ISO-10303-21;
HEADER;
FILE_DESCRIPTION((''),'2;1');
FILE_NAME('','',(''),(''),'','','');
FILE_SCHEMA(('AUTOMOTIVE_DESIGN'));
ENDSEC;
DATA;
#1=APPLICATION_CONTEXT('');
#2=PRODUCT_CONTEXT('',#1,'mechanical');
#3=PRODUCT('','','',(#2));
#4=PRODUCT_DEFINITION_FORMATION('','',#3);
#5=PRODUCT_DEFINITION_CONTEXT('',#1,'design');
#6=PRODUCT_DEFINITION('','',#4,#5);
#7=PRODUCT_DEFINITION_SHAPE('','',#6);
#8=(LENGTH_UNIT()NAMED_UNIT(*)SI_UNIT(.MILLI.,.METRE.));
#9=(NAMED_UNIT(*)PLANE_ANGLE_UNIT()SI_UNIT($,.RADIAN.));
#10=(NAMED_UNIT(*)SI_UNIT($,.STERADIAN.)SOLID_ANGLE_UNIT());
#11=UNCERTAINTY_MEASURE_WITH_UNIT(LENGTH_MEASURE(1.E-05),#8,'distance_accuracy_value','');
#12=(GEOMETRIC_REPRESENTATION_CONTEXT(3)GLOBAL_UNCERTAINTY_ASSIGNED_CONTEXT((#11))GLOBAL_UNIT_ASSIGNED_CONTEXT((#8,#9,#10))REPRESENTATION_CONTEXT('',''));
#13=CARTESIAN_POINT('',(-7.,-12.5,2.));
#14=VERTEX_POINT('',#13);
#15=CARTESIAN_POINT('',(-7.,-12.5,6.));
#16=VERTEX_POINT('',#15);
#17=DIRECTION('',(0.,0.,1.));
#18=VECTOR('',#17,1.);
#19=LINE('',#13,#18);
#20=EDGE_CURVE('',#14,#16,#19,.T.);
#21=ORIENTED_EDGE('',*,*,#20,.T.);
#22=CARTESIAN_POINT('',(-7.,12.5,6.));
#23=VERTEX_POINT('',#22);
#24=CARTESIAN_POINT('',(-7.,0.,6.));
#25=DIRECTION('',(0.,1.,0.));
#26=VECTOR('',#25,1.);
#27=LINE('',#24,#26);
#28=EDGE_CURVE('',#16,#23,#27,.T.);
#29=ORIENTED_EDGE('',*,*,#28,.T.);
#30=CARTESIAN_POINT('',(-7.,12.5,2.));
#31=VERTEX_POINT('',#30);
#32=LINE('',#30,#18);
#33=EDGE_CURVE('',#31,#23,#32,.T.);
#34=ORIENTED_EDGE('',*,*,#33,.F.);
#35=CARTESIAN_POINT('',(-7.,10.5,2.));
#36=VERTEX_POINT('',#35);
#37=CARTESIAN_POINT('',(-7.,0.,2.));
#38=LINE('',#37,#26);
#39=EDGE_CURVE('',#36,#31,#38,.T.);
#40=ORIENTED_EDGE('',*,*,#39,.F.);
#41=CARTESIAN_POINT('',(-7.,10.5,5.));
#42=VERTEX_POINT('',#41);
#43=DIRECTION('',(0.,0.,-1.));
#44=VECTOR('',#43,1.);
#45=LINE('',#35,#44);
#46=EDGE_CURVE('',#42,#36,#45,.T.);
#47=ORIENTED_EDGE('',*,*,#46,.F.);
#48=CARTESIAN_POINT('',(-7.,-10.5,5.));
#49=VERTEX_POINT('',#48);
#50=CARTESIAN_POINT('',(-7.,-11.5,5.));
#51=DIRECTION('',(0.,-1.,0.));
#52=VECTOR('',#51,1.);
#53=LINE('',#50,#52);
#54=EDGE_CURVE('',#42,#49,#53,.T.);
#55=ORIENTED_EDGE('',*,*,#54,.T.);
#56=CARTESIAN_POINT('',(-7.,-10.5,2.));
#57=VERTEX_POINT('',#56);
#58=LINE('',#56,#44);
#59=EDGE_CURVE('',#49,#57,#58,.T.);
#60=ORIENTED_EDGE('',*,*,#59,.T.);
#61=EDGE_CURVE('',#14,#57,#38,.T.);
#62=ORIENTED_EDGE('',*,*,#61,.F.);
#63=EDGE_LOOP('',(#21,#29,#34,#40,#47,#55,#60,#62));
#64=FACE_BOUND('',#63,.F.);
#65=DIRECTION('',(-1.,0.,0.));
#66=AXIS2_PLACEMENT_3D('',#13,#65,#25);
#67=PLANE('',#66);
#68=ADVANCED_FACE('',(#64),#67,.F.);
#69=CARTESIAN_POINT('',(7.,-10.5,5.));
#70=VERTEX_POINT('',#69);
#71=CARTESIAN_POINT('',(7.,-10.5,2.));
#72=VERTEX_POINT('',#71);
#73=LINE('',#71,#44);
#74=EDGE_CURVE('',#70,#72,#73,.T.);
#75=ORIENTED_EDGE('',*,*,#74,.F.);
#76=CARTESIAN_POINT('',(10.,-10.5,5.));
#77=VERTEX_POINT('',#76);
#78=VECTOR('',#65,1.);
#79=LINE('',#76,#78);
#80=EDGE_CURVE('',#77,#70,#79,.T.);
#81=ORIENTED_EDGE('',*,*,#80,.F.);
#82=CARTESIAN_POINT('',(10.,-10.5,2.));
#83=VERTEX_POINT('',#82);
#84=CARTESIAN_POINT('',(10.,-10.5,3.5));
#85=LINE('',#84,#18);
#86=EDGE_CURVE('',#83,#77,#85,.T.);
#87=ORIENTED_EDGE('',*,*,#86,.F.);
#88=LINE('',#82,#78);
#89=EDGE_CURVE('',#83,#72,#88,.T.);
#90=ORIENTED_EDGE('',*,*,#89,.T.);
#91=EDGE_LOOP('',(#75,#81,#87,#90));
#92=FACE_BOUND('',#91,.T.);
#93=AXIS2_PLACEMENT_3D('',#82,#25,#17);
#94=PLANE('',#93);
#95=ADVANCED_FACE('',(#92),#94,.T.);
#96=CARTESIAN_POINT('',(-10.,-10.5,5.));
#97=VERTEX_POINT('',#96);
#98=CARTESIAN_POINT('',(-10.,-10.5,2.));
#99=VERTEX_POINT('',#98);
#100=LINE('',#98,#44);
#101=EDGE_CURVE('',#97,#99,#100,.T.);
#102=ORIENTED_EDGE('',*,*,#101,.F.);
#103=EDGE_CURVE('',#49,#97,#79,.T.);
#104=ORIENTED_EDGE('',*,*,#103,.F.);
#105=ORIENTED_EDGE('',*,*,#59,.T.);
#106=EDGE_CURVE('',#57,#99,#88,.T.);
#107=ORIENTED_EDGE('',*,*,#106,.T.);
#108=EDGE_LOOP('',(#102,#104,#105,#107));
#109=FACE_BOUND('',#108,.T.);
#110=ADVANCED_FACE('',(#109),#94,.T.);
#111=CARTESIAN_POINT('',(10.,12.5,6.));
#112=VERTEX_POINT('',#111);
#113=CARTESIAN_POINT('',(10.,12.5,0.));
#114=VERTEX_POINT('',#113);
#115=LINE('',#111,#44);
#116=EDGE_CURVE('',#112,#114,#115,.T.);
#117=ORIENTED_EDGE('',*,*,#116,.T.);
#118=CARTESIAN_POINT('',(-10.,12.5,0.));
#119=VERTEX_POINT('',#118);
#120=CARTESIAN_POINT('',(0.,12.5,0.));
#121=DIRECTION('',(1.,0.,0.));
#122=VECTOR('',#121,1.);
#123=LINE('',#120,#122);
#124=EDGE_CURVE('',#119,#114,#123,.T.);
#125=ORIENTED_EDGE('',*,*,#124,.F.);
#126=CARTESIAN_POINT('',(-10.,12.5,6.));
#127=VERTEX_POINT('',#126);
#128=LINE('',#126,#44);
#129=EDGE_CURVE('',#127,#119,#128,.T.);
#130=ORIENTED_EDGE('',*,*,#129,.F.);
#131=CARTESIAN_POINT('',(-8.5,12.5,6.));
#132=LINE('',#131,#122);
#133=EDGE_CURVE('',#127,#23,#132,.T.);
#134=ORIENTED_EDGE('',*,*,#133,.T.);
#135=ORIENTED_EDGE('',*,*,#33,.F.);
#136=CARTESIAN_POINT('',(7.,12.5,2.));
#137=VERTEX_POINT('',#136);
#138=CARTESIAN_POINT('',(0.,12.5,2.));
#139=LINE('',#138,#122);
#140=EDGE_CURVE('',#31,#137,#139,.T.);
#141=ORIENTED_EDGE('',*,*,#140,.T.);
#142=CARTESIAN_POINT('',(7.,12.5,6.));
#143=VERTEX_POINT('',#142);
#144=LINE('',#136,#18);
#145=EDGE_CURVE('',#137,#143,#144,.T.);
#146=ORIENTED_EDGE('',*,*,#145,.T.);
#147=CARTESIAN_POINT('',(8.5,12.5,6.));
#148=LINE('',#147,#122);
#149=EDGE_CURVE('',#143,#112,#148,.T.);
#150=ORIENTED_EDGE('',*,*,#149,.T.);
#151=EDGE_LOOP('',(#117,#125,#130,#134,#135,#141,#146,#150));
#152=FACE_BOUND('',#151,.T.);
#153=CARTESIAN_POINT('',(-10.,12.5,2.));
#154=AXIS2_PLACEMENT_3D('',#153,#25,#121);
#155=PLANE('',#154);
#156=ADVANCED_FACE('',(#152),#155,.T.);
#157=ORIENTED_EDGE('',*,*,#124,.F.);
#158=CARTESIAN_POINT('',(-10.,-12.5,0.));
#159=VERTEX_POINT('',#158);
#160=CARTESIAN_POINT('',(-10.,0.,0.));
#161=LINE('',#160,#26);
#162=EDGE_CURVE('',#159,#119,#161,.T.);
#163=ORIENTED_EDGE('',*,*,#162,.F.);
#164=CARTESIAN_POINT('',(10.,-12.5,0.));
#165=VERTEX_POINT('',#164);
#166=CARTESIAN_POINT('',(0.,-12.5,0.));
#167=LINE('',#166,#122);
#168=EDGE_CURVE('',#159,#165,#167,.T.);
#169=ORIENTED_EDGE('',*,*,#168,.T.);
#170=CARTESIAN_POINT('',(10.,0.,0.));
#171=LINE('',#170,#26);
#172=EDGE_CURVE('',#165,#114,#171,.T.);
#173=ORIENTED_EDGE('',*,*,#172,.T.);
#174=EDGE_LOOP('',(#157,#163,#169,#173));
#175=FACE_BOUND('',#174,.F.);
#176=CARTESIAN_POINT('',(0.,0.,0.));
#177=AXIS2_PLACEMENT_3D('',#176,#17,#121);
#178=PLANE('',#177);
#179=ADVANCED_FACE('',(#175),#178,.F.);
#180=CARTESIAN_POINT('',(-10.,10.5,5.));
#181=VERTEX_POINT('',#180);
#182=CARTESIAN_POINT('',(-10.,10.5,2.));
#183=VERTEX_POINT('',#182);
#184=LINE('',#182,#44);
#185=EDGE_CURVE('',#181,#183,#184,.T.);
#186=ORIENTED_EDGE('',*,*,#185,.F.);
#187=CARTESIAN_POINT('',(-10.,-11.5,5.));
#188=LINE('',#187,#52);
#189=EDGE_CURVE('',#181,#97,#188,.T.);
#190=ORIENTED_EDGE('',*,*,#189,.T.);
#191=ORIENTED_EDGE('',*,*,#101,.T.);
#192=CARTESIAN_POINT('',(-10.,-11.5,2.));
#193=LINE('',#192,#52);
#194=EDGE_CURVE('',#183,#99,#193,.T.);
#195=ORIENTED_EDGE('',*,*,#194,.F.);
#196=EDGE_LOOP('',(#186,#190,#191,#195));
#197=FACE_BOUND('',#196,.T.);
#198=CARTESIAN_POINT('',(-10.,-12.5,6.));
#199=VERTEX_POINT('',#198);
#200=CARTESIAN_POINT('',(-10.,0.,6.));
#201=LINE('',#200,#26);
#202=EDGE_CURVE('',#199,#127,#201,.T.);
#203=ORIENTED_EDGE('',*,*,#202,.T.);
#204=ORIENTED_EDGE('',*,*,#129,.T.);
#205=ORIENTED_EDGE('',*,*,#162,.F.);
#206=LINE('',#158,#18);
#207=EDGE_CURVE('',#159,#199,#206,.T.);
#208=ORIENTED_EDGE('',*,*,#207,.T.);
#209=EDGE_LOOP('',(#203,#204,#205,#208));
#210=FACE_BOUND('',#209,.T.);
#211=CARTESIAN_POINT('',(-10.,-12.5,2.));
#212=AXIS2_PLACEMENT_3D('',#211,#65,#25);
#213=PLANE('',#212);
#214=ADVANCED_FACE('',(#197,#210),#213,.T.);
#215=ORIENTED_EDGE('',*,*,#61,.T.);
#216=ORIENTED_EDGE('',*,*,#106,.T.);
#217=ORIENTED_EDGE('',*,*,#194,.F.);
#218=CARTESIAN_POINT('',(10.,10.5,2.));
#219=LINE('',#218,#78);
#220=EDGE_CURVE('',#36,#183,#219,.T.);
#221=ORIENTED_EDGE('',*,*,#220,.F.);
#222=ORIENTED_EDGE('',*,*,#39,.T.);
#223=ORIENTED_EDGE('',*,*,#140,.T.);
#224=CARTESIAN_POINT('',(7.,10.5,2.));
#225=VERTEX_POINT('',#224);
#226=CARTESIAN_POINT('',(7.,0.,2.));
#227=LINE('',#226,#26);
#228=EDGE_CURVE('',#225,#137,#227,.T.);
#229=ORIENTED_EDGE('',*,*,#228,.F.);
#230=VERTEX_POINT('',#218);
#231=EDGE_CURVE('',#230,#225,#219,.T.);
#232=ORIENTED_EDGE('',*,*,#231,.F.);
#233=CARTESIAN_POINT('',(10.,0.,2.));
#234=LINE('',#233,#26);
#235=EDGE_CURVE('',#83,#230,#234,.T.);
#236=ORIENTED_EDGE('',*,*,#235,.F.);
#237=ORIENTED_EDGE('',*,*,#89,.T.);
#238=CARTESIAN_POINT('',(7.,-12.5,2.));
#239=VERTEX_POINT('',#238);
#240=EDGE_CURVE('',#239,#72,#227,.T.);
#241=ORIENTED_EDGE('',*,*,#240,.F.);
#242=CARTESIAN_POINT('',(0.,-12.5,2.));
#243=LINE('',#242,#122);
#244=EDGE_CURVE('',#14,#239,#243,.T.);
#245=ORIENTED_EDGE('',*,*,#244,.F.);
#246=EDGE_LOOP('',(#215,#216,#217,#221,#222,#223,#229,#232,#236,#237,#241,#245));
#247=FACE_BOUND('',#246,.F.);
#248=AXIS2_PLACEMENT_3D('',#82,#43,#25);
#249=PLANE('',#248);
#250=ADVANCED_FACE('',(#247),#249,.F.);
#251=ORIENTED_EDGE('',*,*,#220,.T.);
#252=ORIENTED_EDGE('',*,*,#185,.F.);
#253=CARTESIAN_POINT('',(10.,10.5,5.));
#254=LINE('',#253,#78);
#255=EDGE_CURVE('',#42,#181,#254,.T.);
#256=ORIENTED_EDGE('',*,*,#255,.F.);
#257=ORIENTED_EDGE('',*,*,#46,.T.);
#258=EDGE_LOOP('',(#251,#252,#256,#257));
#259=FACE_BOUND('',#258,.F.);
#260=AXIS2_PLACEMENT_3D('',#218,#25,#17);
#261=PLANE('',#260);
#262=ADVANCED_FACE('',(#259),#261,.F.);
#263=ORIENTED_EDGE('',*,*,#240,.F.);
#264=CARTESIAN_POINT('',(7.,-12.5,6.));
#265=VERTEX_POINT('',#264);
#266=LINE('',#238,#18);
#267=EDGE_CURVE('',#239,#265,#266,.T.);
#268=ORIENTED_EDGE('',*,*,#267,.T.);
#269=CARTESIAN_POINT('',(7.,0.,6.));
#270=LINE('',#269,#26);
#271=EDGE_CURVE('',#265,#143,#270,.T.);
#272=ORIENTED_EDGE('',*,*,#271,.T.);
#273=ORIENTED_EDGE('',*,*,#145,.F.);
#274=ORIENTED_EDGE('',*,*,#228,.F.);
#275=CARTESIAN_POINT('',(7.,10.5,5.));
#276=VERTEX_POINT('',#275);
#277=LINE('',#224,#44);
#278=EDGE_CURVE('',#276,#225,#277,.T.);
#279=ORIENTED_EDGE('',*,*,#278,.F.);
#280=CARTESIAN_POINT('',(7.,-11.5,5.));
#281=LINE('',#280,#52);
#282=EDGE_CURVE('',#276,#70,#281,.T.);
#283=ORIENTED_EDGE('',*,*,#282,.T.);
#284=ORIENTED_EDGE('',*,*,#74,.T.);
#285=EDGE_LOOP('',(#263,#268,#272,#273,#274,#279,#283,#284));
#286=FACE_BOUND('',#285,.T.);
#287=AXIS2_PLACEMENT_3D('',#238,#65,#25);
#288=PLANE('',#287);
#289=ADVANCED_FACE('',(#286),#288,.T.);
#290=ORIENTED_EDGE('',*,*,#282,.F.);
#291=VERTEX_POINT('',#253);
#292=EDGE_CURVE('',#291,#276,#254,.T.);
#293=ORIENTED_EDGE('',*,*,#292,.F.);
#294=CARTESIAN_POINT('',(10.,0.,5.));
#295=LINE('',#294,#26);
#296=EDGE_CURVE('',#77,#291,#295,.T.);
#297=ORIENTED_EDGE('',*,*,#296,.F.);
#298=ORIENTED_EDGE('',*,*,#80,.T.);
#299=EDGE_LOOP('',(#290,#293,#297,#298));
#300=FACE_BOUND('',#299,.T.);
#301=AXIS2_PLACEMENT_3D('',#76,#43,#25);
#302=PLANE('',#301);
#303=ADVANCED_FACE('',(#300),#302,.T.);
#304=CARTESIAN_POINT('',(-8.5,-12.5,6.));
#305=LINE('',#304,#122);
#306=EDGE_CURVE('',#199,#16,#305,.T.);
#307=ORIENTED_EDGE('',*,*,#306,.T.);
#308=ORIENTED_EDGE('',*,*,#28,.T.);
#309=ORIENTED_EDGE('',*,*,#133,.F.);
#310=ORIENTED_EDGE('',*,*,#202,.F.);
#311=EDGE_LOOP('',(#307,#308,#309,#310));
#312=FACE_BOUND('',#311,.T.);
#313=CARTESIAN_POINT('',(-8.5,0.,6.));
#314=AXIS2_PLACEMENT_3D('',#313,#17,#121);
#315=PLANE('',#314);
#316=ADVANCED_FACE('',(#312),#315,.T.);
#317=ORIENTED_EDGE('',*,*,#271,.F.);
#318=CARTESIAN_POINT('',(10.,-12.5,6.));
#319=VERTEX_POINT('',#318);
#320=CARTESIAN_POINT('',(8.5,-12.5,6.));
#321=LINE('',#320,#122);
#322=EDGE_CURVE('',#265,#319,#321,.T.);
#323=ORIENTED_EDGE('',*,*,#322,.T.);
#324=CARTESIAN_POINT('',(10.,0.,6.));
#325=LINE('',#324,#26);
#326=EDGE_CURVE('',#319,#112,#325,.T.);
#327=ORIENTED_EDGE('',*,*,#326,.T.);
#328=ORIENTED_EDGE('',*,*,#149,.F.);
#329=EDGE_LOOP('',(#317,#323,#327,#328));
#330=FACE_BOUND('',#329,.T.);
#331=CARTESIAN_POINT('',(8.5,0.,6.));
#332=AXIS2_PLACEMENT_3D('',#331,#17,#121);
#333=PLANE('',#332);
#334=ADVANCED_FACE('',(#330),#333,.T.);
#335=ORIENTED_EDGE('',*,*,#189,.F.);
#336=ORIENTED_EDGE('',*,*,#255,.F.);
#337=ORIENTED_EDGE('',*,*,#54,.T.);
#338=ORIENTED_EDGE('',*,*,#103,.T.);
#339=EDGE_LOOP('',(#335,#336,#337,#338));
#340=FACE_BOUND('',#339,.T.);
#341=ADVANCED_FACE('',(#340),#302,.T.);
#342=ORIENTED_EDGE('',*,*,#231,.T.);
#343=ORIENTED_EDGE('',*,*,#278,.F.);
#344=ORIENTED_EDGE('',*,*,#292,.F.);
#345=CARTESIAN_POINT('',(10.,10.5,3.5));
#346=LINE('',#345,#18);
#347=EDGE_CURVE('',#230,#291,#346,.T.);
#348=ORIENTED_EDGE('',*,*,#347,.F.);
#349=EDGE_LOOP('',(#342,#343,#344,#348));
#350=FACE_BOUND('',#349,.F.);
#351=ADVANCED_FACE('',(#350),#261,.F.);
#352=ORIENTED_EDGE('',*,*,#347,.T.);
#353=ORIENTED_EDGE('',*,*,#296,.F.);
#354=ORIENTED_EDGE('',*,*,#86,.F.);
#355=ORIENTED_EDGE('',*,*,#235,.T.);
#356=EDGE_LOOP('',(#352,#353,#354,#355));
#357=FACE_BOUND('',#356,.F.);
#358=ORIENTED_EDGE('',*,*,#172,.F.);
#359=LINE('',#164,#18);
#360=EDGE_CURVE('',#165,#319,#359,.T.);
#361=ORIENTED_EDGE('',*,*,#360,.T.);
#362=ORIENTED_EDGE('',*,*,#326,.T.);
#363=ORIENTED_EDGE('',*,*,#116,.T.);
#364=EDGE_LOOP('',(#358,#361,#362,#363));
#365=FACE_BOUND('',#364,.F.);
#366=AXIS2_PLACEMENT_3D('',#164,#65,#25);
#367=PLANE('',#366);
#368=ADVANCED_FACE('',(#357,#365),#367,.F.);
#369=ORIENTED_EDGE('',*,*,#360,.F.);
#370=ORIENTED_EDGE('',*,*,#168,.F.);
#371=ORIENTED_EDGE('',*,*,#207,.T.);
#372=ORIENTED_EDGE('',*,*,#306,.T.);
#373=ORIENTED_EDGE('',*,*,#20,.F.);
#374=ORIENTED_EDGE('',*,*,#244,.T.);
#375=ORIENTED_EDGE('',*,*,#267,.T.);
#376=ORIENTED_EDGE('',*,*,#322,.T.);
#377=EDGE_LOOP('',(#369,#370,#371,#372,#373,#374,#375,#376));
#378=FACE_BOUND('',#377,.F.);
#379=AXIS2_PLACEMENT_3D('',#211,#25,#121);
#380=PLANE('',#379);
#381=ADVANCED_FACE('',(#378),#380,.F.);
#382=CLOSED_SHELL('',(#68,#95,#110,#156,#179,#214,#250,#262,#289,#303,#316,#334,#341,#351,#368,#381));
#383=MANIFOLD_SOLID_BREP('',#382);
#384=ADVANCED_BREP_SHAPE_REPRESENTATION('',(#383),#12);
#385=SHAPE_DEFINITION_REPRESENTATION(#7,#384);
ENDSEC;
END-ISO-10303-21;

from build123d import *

# Parameters (mm, degrees)
F0_W     = 20
F0_H     = 25
F1_DEPTH = 2
F2_W     = 3
F2_H     = 25
F3_DEPTH = 4
F4_W     = 21
F4_H     = 3
F5_DEPTH = 25


with BuildPart() as f1:
    # F0 (on Top) → F1 (new body)
    with BuildSketch(Plane.XY):
        Rectangle(F0_W, F0_H)
    extrude(amount=F1_DEPTH)

    # F2 (on face) → F3 (join)
    with BuildSketch(Plane.XY.offset(2)):
        with Locations((-8.5, 0)):
            Rectangle(F2_W, F2_H)
        with Locations((8.5, 0)):
            Rectangle(F2_W, F2_H)
    extrude(amount=F3_DEPTH)

    # F4 (on face) → F5 (cut)
    with BuildSketch(Plane.YZ.offset(10)):
        with Locations((0, 3.5)):
            Rectangle(F4_W, F4_H)
    extrude(amount=-F5_DEPTH, mode=Mode.SUBTRACT)


solid = f1.part
